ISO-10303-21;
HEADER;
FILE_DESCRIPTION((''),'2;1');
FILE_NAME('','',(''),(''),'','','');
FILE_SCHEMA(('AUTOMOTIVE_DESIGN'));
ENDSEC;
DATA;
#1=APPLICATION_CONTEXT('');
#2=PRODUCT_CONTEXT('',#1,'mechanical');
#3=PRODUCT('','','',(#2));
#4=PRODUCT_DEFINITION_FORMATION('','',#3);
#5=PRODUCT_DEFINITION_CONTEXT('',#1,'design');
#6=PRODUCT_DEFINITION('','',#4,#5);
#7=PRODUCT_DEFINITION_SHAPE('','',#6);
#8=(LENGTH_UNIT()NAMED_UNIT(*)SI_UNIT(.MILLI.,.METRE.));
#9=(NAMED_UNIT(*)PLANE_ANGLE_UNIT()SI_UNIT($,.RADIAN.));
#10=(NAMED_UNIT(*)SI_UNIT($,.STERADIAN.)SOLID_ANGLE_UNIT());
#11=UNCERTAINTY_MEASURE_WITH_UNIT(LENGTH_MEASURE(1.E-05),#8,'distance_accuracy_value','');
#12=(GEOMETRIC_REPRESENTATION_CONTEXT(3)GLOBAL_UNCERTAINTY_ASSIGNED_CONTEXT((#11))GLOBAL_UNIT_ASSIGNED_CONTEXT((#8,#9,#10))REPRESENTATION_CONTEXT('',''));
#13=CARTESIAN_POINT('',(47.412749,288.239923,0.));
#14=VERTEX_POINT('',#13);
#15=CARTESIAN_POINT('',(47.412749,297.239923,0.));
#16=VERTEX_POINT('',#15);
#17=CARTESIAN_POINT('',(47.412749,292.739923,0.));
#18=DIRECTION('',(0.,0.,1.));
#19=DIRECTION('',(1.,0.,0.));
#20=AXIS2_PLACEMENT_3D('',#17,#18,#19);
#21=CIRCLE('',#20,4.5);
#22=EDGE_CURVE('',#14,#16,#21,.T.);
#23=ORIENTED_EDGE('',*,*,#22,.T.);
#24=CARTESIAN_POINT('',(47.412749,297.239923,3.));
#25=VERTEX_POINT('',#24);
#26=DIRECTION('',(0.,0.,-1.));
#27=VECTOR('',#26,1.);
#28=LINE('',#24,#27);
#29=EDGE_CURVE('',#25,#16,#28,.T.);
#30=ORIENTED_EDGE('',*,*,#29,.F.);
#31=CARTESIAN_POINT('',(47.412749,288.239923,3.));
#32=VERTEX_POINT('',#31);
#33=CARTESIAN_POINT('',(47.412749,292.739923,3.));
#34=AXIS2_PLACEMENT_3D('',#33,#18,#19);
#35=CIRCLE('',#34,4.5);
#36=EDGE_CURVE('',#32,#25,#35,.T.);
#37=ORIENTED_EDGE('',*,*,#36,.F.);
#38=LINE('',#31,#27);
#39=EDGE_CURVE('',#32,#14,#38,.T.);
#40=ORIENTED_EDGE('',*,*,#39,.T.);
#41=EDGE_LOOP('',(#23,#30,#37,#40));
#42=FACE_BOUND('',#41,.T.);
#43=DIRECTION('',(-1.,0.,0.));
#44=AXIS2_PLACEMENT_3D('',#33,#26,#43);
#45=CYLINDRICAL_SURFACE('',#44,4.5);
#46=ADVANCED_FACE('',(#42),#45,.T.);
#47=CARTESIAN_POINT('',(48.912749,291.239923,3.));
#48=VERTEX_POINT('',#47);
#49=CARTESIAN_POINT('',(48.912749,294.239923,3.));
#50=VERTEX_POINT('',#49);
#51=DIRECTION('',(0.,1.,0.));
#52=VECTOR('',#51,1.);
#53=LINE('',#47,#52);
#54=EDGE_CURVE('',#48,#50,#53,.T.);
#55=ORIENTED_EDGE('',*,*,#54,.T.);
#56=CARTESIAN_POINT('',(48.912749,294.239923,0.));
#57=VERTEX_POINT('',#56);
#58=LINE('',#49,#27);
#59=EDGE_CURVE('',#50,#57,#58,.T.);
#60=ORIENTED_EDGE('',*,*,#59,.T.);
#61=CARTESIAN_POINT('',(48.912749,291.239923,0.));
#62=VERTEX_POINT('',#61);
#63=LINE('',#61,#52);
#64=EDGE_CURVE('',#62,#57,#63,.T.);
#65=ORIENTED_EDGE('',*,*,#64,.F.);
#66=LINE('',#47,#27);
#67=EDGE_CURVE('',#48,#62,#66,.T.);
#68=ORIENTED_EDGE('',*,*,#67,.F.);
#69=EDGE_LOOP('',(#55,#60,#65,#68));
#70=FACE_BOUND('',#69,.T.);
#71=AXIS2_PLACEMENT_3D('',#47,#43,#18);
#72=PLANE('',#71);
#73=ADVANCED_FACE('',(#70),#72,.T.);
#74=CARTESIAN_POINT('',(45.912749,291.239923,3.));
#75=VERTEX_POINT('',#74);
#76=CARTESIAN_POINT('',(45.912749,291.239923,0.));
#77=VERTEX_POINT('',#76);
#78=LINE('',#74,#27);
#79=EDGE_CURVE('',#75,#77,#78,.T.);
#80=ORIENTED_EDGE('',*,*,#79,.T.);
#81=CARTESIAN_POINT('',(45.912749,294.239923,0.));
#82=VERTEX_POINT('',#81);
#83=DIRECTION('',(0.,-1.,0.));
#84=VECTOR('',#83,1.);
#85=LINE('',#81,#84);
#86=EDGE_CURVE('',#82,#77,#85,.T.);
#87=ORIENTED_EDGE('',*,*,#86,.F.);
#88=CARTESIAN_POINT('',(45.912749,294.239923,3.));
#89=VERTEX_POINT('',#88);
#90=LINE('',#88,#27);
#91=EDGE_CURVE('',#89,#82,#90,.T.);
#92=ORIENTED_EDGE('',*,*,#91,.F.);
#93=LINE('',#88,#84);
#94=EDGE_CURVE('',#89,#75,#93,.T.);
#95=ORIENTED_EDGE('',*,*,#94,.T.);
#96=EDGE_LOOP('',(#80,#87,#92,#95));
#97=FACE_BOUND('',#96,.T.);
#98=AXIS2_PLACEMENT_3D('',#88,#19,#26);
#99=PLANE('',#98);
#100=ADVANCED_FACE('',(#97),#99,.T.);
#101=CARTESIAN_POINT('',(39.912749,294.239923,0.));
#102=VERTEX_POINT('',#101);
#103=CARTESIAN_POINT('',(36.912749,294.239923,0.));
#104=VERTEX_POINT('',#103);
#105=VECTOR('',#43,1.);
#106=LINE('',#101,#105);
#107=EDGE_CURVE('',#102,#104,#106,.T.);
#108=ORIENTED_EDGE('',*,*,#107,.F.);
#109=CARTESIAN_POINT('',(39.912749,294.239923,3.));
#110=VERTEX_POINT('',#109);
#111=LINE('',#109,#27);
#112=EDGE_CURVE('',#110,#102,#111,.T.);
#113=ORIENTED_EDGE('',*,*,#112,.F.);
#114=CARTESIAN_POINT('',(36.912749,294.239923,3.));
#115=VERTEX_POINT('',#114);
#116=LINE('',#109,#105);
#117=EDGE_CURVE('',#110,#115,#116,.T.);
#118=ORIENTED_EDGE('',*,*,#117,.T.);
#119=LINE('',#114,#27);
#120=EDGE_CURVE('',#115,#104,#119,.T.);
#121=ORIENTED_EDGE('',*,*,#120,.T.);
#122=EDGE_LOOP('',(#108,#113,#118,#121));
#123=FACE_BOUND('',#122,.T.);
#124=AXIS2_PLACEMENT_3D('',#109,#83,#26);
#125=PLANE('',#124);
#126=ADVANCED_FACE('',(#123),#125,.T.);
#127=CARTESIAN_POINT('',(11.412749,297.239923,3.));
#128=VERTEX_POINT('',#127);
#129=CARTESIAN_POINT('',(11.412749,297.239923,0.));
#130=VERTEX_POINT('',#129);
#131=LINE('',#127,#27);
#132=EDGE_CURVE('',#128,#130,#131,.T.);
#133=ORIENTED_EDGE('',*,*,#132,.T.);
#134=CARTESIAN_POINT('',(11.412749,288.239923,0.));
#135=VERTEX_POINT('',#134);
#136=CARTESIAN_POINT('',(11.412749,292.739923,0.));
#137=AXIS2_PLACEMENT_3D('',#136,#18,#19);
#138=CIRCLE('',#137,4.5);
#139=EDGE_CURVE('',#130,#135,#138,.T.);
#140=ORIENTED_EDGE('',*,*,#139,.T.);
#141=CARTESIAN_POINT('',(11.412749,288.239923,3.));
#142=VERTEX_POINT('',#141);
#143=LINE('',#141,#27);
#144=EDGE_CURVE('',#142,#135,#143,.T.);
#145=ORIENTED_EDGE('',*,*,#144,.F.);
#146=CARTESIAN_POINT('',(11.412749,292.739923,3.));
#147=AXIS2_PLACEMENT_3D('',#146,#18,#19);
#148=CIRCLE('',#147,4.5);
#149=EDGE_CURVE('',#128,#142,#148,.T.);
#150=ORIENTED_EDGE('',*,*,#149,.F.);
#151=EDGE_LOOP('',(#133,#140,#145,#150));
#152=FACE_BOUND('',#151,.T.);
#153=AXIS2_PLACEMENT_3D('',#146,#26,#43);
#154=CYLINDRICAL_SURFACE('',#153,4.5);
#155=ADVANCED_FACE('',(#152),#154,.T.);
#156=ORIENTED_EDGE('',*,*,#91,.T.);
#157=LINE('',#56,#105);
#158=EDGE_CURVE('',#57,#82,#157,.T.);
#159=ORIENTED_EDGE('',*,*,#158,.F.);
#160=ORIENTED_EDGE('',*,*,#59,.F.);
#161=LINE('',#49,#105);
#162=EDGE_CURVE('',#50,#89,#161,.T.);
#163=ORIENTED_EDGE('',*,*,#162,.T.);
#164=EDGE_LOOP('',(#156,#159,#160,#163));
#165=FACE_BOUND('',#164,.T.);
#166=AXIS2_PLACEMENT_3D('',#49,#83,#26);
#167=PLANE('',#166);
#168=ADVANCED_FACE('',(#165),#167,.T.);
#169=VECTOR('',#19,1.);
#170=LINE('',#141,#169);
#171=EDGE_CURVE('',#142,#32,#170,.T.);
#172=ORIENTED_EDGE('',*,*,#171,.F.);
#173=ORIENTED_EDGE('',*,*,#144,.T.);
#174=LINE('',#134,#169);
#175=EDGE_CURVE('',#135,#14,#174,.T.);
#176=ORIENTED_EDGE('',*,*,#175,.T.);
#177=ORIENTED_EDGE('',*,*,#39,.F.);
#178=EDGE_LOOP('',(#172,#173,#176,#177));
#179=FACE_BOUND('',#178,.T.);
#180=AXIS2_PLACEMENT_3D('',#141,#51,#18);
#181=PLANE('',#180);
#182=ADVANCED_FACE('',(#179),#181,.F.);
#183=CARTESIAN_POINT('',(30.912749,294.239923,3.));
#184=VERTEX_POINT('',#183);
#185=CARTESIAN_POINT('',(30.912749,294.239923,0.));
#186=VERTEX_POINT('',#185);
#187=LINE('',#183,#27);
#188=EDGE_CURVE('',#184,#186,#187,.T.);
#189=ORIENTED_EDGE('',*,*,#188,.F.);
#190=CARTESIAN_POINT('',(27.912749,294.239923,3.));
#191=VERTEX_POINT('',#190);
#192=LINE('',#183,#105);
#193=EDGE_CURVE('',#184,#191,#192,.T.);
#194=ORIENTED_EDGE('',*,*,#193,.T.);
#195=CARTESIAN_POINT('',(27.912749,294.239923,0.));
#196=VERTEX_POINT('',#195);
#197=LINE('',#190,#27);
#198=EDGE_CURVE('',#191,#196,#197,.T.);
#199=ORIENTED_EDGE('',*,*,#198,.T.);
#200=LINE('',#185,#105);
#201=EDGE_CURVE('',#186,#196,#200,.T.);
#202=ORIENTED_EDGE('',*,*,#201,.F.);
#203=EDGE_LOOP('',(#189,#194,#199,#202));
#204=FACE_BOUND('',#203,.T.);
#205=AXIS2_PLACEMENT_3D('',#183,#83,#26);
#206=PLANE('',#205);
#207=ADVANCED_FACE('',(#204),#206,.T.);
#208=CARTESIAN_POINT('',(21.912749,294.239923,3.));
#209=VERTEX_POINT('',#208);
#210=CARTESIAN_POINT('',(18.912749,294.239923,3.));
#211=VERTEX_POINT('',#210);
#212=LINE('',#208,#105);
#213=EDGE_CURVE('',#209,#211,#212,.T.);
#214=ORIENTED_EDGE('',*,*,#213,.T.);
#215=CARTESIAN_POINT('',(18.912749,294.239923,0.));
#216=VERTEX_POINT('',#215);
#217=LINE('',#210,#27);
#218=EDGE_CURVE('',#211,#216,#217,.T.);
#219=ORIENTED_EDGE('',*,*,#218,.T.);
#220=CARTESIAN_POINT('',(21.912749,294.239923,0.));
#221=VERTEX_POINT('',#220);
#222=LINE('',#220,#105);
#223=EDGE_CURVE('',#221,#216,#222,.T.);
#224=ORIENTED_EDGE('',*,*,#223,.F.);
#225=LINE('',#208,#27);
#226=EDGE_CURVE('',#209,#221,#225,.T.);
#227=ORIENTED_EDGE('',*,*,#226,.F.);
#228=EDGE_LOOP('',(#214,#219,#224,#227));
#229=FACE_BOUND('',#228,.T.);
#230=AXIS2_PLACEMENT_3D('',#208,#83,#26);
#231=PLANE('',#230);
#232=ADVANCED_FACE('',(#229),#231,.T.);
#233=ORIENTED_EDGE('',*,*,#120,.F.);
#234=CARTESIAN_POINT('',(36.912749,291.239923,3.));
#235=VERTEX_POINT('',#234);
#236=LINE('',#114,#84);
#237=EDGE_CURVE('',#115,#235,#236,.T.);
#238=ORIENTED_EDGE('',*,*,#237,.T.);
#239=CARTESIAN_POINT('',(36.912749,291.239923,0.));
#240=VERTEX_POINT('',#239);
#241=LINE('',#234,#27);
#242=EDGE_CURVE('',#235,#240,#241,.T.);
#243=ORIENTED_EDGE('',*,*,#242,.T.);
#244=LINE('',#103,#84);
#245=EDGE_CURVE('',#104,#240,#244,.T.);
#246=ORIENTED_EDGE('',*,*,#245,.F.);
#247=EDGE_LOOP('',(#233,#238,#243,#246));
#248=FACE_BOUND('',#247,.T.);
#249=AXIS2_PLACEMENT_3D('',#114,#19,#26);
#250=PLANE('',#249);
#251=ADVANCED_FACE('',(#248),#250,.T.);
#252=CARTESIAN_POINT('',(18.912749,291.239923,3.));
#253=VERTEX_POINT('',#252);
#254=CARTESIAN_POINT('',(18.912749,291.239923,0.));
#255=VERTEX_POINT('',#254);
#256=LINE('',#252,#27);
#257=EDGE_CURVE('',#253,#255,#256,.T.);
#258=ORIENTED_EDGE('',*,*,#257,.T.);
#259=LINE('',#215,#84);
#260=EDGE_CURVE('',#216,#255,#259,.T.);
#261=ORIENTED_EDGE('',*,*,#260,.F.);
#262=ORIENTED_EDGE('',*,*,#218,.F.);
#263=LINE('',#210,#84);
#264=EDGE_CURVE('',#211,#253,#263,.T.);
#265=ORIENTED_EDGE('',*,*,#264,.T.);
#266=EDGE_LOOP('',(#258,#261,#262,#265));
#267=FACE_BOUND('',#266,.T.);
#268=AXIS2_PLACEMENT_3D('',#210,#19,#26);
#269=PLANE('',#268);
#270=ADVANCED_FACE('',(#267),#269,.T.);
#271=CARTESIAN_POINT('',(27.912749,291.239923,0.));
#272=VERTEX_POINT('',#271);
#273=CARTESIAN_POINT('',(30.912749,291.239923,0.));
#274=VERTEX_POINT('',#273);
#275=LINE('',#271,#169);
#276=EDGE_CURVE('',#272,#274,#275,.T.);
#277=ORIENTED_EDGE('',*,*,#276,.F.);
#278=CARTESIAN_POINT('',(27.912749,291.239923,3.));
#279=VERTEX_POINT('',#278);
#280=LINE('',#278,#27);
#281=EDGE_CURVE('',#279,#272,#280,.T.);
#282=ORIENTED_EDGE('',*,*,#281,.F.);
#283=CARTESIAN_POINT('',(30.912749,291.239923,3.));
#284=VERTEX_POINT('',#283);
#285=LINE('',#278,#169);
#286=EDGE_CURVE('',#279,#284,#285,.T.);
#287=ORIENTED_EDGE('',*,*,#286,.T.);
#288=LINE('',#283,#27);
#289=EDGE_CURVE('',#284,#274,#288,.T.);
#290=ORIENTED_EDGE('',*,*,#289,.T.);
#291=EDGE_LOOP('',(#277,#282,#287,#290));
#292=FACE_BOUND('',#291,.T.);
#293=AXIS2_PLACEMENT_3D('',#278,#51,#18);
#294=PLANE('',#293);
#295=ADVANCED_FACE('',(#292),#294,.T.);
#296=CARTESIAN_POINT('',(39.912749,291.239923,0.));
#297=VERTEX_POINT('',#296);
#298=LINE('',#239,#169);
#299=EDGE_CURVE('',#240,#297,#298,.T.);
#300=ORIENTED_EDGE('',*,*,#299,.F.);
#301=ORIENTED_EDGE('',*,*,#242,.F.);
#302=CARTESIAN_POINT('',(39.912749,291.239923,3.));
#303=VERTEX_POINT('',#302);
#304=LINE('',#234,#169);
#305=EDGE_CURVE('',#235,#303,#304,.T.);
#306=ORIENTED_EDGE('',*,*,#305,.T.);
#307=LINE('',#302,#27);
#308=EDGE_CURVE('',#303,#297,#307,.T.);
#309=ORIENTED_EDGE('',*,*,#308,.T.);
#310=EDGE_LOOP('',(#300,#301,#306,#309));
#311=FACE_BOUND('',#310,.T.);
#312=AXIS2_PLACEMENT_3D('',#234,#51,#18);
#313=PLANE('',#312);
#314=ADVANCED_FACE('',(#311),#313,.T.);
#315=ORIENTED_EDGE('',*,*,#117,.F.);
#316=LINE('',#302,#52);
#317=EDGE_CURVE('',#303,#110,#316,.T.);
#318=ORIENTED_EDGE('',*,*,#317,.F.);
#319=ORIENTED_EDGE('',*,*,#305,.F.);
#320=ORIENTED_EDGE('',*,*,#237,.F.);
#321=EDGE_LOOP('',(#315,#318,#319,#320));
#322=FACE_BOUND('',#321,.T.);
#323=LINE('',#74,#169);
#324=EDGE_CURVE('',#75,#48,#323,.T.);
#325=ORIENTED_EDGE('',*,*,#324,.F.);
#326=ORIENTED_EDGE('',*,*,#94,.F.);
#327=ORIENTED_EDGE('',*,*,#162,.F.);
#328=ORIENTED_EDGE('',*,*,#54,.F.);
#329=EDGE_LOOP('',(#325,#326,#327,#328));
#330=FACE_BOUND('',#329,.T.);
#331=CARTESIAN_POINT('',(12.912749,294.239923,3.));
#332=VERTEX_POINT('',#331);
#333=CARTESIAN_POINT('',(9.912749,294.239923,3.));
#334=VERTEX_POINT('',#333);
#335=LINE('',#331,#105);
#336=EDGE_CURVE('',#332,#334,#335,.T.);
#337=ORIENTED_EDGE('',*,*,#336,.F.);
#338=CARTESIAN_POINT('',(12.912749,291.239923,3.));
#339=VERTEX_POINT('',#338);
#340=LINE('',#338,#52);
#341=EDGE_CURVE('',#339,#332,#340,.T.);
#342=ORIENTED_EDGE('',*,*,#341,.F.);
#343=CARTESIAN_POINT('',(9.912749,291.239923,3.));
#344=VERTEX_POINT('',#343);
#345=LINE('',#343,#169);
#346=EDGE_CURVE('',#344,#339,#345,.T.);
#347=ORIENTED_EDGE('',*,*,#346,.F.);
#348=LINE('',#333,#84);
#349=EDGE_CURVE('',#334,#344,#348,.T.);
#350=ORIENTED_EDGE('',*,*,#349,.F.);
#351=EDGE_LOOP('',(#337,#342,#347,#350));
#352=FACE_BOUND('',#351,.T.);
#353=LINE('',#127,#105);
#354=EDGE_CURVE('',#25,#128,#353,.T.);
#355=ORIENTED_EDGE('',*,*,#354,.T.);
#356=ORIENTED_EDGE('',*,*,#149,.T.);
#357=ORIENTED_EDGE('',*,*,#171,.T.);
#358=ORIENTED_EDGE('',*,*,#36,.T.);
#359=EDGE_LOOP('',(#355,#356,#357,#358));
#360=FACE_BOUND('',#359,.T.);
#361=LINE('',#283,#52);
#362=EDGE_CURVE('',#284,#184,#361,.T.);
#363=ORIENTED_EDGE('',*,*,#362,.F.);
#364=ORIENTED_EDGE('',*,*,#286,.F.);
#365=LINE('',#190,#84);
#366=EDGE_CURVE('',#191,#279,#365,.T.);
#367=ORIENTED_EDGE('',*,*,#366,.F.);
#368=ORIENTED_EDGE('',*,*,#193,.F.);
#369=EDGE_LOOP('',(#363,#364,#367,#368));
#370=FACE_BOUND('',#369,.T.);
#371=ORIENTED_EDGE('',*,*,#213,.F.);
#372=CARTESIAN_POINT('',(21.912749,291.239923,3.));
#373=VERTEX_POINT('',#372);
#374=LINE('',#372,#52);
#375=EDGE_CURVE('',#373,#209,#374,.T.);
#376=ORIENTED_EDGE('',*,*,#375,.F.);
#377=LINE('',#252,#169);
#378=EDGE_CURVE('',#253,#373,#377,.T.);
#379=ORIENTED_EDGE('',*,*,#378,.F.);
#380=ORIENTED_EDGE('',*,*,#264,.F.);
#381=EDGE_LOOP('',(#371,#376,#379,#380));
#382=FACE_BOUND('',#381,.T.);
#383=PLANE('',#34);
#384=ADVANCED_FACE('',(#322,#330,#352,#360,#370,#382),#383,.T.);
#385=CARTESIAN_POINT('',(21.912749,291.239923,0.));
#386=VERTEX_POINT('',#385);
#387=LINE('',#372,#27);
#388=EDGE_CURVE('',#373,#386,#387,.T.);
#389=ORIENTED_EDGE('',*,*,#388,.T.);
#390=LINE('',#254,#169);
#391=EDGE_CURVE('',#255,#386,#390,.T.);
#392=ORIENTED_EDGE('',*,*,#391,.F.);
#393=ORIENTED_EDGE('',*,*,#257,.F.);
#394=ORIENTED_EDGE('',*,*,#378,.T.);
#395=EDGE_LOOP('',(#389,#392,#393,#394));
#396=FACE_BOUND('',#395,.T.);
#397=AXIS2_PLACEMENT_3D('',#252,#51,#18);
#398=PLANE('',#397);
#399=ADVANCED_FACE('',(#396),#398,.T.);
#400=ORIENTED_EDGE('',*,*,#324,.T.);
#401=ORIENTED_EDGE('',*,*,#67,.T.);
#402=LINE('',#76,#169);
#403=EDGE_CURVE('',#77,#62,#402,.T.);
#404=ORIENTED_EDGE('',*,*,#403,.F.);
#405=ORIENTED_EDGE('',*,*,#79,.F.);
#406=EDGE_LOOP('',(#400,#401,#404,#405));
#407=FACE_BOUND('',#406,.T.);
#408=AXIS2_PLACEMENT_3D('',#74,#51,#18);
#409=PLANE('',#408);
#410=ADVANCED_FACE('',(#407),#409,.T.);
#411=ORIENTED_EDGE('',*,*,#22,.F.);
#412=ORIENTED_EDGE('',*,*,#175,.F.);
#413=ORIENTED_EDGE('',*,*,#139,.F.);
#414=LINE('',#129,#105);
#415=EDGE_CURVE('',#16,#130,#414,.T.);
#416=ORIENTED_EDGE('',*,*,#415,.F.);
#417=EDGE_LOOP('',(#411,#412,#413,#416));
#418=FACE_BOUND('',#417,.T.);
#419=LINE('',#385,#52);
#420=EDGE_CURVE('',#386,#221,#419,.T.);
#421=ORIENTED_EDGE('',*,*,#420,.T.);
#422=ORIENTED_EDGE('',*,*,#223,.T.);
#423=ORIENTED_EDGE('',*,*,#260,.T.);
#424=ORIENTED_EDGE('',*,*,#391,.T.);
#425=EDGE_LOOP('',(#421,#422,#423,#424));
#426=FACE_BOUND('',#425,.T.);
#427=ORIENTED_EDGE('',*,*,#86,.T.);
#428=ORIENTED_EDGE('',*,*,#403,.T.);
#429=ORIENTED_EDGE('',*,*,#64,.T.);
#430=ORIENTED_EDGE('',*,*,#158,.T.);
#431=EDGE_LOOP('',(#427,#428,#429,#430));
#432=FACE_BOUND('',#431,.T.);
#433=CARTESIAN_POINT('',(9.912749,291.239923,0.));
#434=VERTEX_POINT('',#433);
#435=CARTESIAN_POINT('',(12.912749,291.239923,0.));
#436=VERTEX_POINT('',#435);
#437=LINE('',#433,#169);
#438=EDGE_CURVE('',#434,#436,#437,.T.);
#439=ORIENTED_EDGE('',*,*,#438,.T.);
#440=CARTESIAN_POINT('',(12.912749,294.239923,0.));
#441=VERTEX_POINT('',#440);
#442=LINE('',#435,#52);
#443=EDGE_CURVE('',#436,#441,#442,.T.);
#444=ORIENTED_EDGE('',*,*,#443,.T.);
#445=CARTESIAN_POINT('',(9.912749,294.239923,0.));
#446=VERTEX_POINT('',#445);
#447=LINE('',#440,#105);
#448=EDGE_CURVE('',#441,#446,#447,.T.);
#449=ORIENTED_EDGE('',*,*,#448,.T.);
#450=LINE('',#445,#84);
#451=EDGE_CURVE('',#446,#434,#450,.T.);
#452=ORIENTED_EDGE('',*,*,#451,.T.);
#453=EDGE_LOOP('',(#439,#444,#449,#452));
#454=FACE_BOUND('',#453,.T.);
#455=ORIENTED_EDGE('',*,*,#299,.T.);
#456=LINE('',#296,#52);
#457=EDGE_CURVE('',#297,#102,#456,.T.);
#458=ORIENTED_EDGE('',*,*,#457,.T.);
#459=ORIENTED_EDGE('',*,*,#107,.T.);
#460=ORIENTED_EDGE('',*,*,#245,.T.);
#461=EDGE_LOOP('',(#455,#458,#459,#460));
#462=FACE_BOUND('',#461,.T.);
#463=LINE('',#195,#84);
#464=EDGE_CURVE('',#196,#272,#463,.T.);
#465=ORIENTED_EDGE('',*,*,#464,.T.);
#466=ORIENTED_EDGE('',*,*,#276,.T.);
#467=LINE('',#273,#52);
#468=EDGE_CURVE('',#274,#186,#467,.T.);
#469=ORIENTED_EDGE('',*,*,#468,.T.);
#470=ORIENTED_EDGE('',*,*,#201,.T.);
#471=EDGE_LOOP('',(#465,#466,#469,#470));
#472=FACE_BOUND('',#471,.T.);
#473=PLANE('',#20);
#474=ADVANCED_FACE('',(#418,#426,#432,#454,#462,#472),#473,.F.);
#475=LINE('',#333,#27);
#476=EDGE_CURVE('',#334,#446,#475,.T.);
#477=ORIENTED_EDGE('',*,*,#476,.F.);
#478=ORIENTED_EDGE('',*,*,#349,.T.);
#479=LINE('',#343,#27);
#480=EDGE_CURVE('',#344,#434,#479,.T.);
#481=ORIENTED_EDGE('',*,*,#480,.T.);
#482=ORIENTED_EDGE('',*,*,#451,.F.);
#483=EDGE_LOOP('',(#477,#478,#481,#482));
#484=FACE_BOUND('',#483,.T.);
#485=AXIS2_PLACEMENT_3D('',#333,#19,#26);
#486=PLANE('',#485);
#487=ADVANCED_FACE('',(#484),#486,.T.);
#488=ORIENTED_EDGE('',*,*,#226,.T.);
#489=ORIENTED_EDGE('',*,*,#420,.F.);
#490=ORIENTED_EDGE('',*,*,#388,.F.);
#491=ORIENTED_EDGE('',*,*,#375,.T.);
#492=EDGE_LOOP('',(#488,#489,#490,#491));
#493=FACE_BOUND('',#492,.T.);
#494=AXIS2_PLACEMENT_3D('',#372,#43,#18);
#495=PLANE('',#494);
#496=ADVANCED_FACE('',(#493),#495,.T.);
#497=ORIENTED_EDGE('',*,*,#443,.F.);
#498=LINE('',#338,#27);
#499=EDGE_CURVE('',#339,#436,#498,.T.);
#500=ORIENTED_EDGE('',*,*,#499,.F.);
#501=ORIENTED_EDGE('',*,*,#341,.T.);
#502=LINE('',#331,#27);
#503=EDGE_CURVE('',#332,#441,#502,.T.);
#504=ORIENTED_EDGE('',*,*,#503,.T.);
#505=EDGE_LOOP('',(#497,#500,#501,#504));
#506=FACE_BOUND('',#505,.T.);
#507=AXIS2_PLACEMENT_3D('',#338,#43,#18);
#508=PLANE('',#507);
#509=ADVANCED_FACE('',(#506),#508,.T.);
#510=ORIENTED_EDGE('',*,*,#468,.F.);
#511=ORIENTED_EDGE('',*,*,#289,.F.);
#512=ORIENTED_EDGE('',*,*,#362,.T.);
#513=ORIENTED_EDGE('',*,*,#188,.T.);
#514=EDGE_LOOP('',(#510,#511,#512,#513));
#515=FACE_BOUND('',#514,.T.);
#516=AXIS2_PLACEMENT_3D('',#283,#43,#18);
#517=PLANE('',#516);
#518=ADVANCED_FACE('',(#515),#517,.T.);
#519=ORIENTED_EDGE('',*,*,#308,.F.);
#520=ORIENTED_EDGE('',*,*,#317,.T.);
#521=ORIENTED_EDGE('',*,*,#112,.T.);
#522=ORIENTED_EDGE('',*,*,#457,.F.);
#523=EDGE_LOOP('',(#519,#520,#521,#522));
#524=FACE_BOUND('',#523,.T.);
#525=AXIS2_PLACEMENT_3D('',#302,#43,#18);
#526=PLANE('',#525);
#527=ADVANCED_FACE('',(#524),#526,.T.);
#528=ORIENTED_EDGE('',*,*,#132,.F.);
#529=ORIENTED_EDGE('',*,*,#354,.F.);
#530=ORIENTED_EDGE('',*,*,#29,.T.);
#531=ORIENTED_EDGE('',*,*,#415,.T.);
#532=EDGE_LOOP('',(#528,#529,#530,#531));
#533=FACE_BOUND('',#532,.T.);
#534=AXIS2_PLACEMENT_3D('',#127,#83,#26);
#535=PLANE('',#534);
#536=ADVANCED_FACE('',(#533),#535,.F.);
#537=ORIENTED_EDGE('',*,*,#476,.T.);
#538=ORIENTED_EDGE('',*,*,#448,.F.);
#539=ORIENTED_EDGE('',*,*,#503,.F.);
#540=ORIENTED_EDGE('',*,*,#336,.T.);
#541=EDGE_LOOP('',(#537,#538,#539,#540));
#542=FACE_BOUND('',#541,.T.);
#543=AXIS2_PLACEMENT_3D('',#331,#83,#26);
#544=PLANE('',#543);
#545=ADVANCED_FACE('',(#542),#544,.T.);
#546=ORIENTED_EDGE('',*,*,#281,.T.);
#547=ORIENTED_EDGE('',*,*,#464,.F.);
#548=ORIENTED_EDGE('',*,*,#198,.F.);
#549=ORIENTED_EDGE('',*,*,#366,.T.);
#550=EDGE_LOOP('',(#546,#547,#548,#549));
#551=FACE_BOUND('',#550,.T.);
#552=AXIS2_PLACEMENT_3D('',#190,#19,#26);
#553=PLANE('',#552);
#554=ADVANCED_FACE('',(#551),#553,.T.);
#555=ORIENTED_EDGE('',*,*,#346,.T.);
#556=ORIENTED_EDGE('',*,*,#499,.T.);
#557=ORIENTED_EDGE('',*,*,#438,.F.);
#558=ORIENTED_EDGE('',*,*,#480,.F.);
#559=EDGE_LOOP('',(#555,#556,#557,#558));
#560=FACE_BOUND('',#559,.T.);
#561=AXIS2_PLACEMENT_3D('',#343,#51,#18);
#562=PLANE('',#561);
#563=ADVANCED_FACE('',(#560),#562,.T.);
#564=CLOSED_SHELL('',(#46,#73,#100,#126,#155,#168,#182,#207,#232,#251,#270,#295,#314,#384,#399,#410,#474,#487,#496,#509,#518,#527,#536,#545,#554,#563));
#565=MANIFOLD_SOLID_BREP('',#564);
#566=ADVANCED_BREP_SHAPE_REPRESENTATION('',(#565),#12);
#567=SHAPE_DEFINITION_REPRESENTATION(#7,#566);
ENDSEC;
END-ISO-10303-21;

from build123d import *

# Parameters (mm, degrees)
MODEL_W                 = 3
MODEL_H                 = 3
SALIENTE_EXTRUIR1_DEPTH = 3


with BuildPart() as part:
    # Model → Saliente-Extruir1 (new body)
    with BuildSketch(Plane.XY):
        with BuildLine():
            Line((11.412749203, 297.239922936), (47.412749203, 297.239922936))
            ThreePointArc((47.412749203, 297.239922936), (51.912749203, 292.739922936), (47.412749203, 288.239922936))
            Line((47.412749203, 288.239922936), (11.412749203, 288.239922936))
            ThreePointArc((11.412749203, 288.239922936), (6.912749203, 292.739922936), (11.412749203, 297.239922936))
        make_face()
        with Locations((11.412749203, 292.739922936)):
            Rectangle(MODEL_W, MODEL_H, mode=Mode.SUBTRACT)
        with Locations((20.412749203, 292.739922936)):
            Rectangle(MODEL_W, MODEL_H, mode=Mode.SUBTRACT)
        with Locations((29.412749203, 292.739922936)):
            Rectangle(MODEL_W, MODEL_H, mode=Mode.SUBTRACT)
        with Locations((38.412749203, 292.739922936)):
            Rectangle(MODEL_W, MODEL_H, mode=Mode.SUBTRACT)
        with Locations((47.412749203, 292.739922936)):
            Rectangle(MODEL_W, MODEL_H, mode=Mode.SUBTRACT)
    extrude(amount=SALIENTE_EXTRUIR1_DEPTH)


solid = part.part
